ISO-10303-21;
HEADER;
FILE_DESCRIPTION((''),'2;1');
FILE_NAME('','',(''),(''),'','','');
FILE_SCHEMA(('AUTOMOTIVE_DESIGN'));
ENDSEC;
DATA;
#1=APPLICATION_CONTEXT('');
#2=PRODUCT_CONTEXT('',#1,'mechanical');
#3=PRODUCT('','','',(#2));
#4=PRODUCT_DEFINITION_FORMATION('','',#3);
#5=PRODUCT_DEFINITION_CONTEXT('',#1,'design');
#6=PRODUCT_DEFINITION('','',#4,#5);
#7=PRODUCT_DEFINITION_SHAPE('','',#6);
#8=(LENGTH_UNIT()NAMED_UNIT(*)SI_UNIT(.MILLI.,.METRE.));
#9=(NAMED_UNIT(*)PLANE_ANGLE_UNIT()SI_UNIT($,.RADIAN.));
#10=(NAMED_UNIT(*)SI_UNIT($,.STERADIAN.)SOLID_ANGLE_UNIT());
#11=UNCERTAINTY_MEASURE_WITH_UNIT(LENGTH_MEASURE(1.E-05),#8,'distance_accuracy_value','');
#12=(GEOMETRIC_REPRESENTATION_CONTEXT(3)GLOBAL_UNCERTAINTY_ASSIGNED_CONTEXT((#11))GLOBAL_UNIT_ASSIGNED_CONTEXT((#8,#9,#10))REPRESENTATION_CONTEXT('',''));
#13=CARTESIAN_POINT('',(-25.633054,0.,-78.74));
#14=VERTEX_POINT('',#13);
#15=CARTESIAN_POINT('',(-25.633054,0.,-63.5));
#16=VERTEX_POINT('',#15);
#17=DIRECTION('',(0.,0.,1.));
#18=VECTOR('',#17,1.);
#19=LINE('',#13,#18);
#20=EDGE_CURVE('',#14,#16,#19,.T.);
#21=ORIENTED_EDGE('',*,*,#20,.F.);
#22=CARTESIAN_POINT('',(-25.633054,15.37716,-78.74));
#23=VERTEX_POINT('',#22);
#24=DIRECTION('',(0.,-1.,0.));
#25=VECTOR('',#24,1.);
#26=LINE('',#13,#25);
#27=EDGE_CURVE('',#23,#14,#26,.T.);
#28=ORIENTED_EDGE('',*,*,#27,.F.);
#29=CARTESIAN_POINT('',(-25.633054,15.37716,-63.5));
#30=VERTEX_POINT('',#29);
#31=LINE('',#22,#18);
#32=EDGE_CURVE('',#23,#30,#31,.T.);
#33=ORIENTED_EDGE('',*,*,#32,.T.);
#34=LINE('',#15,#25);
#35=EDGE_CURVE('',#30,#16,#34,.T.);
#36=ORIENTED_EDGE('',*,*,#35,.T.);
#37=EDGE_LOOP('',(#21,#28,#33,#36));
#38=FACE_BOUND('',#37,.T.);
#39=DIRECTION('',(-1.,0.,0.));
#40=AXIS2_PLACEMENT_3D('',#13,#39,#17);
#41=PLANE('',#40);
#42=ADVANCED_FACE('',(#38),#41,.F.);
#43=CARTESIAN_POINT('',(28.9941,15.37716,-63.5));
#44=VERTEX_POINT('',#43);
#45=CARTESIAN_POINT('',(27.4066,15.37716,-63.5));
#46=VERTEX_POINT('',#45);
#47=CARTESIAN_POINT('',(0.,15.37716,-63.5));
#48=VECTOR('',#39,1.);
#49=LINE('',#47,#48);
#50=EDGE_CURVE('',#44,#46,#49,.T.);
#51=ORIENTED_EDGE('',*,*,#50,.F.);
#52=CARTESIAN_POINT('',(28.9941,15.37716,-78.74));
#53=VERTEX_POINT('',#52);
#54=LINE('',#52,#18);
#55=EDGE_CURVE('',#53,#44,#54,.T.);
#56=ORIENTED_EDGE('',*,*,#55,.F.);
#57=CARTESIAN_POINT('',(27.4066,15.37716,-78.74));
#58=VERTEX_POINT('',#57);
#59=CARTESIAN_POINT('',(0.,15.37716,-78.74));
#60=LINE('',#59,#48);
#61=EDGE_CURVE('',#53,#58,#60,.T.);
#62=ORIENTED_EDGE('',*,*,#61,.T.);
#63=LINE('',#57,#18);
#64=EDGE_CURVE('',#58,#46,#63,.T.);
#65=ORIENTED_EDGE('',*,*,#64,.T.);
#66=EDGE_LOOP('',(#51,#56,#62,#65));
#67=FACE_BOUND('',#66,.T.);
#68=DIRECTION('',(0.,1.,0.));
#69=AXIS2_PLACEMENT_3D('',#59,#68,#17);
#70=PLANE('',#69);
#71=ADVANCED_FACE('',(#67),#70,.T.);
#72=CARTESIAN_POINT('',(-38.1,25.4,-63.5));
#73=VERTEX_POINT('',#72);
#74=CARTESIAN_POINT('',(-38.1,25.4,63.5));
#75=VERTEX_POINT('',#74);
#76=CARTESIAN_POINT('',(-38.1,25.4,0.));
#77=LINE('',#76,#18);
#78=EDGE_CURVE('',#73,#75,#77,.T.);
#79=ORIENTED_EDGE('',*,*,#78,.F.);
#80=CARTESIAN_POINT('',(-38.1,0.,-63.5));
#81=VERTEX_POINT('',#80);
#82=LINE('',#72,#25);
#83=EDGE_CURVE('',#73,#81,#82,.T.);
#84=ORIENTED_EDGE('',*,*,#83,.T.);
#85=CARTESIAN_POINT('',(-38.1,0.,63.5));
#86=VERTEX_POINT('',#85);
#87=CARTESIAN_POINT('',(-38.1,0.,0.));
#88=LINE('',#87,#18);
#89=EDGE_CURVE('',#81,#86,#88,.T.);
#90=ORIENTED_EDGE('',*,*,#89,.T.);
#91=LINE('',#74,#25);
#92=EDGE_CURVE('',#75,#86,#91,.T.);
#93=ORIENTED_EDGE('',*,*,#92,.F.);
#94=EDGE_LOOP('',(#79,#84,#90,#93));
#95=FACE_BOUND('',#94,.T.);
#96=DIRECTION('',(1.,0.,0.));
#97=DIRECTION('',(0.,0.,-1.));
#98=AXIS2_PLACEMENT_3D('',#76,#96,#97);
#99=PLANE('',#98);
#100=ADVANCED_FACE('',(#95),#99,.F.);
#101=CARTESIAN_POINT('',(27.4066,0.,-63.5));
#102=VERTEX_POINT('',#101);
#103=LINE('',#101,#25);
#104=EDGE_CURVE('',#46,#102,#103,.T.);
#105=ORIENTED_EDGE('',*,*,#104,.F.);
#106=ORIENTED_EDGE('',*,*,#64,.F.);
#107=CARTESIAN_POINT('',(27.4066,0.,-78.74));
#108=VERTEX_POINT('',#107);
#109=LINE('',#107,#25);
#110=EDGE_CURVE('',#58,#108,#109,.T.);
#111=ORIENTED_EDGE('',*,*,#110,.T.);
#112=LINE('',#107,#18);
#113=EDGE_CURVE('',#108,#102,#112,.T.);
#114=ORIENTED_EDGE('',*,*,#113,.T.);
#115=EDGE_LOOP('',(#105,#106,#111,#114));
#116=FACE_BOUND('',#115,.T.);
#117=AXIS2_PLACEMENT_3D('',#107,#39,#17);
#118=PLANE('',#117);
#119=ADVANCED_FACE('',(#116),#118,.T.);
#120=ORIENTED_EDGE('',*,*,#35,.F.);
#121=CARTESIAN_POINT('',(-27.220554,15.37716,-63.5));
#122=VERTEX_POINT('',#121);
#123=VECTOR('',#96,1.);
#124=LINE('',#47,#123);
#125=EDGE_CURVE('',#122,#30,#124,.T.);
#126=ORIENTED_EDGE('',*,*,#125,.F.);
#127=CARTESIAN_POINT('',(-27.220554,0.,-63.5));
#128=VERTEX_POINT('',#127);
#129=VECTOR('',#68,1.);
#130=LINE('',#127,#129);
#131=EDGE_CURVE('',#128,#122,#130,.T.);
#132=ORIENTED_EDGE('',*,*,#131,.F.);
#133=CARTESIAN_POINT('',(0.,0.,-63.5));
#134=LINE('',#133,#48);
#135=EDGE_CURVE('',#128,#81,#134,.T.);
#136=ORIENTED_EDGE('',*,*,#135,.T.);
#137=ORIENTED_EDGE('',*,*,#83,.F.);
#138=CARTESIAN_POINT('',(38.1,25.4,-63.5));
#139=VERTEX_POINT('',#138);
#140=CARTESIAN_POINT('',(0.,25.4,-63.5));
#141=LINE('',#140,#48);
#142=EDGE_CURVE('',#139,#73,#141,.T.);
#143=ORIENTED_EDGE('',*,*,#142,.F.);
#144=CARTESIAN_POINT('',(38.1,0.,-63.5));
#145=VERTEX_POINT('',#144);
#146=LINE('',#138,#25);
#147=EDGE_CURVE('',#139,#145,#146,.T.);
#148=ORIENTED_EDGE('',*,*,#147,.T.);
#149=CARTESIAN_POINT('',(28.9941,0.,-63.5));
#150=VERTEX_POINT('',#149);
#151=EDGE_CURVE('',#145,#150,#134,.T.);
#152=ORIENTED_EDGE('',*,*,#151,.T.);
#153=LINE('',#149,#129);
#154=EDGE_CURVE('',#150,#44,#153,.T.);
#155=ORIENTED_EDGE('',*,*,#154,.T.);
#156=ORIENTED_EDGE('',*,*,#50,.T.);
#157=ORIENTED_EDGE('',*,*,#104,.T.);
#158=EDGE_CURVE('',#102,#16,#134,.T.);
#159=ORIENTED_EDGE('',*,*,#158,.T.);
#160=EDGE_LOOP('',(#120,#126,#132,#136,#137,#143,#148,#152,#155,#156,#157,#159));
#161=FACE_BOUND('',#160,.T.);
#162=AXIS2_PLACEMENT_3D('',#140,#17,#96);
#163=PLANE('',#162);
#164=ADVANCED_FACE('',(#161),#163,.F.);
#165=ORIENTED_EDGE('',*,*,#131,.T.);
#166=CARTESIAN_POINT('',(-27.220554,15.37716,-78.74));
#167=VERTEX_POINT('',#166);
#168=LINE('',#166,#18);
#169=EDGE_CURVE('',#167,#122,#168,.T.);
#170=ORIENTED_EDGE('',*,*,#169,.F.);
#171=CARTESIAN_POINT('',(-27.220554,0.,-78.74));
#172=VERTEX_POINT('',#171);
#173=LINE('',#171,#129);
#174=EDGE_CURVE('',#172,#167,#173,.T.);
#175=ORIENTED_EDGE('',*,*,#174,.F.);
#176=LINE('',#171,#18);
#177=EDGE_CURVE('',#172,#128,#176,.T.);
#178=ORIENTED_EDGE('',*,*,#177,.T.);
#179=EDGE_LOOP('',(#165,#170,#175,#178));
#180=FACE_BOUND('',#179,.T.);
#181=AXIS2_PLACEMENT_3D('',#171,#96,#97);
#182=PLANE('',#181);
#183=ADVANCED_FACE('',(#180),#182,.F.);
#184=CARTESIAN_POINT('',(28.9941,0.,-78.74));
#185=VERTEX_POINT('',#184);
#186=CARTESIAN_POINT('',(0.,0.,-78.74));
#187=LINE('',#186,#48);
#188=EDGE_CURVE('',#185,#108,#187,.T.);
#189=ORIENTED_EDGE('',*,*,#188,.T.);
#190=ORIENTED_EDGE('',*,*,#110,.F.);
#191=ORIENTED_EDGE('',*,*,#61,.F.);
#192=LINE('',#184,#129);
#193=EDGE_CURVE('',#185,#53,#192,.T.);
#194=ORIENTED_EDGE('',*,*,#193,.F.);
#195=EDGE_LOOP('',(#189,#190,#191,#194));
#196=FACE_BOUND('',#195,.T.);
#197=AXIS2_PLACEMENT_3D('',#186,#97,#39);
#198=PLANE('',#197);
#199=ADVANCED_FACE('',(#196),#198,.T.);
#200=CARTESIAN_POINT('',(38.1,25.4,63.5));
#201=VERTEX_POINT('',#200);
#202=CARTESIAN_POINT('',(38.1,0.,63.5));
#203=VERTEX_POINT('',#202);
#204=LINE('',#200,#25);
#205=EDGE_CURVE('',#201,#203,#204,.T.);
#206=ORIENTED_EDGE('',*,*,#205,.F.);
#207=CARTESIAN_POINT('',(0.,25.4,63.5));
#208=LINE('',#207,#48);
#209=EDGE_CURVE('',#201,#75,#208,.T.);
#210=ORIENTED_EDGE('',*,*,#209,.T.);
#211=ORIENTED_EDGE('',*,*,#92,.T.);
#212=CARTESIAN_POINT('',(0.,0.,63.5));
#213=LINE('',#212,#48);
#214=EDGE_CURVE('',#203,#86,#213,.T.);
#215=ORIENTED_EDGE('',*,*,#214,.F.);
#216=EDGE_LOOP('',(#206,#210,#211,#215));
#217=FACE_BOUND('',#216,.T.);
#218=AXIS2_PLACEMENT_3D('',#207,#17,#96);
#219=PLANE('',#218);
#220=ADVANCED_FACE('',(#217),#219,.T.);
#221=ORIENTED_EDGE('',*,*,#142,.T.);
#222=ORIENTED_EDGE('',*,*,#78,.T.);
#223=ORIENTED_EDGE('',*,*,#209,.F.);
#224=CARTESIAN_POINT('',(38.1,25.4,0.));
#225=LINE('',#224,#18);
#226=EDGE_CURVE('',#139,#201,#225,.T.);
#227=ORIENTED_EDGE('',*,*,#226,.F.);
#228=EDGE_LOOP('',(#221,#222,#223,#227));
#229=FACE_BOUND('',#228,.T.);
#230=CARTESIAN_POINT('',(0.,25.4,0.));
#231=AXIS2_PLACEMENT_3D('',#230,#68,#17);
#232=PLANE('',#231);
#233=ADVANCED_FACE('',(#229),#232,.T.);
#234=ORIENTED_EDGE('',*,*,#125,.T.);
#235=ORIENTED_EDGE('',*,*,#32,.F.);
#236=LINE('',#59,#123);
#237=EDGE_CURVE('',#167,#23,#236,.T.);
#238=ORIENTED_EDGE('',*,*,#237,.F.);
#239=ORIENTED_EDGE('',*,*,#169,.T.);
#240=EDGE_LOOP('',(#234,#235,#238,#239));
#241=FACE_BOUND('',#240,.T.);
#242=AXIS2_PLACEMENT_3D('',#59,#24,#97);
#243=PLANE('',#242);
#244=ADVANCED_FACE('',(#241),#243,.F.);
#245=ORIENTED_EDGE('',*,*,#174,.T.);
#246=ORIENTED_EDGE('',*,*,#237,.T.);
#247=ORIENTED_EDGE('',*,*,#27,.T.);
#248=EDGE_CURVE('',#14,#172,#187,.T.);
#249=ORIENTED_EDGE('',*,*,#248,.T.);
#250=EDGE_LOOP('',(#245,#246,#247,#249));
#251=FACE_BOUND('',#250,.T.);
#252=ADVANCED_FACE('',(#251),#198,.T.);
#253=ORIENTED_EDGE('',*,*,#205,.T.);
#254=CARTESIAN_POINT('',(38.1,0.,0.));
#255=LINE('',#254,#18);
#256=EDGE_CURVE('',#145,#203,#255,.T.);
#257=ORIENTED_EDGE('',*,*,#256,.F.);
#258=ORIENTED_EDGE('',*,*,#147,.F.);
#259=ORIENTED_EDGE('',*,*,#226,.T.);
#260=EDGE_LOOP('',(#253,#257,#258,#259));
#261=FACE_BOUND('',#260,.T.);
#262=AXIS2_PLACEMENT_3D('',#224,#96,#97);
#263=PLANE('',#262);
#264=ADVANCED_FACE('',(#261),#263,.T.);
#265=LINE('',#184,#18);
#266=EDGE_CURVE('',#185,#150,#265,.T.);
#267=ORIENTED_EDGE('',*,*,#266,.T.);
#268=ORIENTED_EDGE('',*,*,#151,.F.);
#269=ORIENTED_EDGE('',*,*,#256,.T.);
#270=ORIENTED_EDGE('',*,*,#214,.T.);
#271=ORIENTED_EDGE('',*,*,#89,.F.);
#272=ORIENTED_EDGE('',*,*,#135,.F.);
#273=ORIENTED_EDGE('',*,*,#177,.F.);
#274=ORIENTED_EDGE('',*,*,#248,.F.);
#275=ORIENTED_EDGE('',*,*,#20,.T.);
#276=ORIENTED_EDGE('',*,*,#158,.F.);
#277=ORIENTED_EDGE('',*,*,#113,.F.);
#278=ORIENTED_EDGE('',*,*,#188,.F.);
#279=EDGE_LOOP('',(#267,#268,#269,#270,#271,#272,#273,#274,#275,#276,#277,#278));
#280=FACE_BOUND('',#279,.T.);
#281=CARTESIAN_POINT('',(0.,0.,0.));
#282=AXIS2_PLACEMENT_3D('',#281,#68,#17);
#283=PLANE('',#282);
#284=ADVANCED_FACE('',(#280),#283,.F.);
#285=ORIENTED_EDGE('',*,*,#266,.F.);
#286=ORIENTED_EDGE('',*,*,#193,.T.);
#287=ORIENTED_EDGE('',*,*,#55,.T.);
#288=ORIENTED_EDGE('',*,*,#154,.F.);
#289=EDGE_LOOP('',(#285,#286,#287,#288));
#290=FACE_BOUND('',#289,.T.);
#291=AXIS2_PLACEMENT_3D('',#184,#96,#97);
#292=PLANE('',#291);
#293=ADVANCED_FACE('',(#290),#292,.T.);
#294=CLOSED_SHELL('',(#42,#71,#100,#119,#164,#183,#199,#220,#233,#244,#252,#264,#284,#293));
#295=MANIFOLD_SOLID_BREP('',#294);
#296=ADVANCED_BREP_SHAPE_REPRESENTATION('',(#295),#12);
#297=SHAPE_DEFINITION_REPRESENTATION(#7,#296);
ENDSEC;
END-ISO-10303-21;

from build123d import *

# Parameters (mm, degrees)
BOSS_EXTRUDE1_DEPTH = 25.4
SKETCH5_W           = 1.5875
SKETCH5_H           = 15.37716
BOSS_EXTRUDE3_DEPTH = 15.24


with BuildPart() as part:
    # Sketch1 → Boss-Extrude1 (new body)
    with BuildSketch(Plane(origin=(0, 0, 0), x_dir=(1, 0, 0), z_dir=(0, 1, 0))):
        Polygon((38.1, 63.5), (28.9941, 63.5), (-28.9941, 63.5), (-38.1, 63.5), (-38.1, -63.5), (38.1, -63.5), align=None)
    extrude(amount=BOSS_EXTRUDE1_DEPTH)

    # Sketch5 → Boss-Extrude3 (add)
    with BuildSketch(Plane(origin=(0, 0, -63.5), x_dir=(-1, 0, 0), z_dir=(0, 0, -1))):
        with Locations((-28.20035, 7.68858)):
            Rectangle(SKETCH5_W, SKETCH5_H)
        with Locations((26.42680374, 7.68858)):
            Rectangle(SKETCH5_W, SKETCH5_H)
    extrude(amount=BOSS_EXTRUDE3_DEPTH)


solid = part.part
